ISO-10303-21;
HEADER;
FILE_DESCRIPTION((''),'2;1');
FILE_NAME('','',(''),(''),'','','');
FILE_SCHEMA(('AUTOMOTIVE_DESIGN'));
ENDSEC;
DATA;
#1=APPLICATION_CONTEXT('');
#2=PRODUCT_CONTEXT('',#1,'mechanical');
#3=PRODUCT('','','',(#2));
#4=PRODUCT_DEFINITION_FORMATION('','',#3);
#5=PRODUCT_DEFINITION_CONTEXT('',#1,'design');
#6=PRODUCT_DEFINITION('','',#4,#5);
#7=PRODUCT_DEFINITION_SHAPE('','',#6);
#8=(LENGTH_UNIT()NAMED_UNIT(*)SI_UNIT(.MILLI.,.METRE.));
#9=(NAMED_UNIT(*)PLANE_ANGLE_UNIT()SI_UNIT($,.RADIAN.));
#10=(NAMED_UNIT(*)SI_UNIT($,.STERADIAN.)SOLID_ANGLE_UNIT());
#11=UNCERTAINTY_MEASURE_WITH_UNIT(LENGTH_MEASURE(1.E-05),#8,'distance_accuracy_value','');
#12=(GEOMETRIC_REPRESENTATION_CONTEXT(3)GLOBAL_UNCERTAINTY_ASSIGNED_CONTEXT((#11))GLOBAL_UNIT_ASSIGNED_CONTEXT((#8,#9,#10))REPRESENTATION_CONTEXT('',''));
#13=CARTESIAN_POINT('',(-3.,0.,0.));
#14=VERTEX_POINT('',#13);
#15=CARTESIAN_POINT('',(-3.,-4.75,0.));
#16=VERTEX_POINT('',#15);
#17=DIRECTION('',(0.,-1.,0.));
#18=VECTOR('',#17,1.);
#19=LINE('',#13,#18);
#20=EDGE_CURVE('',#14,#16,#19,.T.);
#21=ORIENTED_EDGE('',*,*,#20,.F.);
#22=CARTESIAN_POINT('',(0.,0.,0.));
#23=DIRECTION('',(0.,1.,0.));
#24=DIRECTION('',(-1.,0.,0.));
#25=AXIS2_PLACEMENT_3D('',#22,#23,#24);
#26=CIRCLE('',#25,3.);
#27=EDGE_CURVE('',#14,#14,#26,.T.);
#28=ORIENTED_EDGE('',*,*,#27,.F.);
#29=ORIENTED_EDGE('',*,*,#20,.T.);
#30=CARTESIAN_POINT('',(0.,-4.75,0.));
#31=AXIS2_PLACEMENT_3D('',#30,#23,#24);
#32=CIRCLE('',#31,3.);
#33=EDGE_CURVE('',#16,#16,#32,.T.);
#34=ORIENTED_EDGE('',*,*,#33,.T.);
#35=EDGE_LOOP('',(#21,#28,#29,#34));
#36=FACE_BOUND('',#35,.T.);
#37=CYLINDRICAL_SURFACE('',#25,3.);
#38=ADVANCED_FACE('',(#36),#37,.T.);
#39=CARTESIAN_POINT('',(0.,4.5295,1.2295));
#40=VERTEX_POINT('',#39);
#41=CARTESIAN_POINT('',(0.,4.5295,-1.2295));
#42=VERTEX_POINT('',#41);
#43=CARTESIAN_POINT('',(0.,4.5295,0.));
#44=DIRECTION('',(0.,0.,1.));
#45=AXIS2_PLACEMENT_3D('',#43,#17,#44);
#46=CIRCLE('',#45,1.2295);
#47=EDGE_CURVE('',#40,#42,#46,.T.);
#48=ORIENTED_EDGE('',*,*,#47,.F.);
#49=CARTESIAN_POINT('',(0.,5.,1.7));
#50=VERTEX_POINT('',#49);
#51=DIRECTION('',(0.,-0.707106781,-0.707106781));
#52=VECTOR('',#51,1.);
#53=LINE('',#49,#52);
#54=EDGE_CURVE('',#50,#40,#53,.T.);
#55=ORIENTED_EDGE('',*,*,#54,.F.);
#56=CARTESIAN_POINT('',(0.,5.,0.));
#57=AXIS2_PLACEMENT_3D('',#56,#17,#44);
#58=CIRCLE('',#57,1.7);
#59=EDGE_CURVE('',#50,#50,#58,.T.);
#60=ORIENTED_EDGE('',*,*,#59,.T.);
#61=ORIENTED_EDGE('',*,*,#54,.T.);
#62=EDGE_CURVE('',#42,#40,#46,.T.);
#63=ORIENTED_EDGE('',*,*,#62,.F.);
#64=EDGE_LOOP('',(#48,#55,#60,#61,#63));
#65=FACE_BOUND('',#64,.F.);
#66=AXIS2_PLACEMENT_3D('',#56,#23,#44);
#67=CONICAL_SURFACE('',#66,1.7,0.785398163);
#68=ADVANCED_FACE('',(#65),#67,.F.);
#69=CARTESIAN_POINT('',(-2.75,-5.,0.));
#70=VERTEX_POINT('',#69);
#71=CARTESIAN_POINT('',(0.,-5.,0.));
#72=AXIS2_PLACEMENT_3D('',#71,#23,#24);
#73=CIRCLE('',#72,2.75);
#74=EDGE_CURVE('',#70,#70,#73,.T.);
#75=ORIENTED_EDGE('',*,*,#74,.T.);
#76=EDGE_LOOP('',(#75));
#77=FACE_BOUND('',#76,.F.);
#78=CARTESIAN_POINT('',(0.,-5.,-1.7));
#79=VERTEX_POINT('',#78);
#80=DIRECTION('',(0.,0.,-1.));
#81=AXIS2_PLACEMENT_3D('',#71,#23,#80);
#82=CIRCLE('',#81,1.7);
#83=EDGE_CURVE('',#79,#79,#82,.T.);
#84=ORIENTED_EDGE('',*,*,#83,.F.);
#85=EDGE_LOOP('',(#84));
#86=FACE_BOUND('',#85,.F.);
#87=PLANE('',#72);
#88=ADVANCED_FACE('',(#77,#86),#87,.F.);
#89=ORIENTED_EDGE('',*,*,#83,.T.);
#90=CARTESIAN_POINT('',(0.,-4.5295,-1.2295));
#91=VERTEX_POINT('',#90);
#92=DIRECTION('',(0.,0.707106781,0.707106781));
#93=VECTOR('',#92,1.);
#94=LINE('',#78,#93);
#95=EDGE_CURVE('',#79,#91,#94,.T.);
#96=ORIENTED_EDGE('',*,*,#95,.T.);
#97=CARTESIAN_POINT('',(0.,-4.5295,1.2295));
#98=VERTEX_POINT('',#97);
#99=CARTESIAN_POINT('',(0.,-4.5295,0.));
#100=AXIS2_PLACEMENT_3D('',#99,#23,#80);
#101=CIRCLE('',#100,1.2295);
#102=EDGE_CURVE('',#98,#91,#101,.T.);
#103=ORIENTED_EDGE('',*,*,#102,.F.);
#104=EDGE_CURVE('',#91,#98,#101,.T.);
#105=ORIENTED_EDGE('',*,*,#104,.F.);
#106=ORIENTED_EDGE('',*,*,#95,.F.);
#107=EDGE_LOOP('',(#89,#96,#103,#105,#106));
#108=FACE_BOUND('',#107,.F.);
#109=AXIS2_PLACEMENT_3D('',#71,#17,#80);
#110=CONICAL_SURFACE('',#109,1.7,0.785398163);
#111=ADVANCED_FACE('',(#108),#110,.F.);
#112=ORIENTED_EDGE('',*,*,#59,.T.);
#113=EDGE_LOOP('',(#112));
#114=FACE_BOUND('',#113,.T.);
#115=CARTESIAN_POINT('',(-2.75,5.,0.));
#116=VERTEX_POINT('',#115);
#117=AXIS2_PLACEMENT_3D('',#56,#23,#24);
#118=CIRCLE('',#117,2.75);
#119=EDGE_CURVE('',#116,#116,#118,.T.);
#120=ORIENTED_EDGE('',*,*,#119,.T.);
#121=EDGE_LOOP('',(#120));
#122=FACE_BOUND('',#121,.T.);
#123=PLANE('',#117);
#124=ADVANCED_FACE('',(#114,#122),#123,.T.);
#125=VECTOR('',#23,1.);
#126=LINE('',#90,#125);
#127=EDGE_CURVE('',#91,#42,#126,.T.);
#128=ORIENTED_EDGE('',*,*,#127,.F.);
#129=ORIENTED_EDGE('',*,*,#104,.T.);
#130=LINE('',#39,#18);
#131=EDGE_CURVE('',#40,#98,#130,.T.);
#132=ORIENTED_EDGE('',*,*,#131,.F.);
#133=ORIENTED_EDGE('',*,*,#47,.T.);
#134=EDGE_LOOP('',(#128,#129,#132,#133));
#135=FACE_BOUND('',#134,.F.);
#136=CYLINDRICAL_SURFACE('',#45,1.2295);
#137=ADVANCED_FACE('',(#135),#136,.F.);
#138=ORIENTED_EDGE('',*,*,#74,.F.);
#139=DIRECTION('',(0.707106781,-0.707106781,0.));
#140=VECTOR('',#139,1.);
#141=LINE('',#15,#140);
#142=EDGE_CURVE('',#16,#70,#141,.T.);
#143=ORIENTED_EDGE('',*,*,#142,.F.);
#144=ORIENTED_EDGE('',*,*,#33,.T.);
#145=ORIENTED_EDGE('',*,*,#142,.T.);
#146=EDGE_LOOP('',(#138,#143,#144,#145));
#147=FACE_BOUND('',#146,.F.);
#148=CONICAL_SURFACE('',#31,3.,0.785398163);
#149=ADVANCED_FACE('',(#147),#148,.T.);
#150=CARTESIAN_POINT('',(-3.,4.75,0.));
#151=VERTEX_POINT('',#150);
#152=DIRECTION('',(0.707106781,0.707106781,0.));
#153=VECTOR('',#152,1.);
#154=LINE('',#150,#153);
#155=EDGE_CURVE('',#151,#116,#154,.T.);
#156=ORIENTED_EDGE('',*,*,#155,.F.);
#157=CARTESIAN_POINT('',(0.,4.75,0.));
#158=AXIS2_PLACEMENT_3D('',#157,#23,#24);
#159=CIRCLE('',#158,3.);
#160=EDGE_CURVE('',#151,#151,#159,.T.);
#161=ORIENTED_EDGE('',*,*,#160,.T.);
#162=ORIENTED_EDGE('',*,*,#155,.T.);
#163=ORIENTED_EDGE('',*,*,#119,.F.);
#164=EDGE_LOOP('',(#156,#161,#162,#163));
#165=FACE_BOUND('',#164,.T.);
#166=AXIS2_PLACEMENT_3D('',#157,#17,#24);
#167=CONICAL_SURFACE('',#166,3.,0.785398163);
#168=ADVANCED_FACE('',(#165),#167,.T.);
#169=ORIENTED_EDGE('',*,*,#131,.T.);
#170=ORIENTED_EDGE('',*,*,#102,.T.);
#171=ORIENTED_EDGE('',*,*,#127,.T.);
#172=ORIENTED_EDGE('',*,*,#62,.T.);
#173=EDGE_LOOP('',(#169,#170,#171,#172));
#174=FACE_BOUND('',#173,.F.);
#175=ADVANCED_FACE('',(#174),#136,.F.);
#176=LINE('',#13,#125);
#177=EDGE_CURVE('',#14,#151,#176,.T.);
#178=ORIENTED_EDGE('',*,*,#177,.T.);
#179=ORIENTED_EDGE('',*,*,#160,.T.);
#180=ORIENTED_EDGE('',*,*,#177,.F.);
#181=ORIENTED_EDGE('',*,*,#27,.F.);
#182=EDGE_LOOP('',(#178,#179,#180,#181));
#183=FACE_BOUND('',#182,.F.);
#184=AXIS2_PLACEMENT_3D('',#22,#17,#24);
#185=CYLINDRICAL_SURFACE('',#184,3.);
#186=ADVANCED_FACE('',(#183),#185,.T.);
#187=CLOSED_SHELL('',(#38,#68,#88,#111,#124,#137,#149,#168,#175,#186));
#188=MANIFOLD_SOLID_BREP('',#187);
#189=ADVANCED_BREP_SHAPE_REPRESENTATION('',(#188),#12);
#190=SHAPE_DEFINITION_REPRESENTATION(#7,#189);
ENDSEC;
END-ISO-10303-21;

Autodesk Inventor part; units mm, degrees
ref_plane "YZ Plane" through (0, 0, 0) normal (1, 0, 0) x (0, 1, 0)
ref_plane "XZ Plane" through (0, 0, 0) normal (0, 1, 0) x (-1, 0, 0)
ref_plane "XY Plane" through (0, 0, 0) normal (0, 0, 1) x (1, 0, 0)
sketch "スケッチ1" plane through (0, 0, 0) normal (0, 1, 0) x (-1, 0, 0)
  circle A0 centre (0, 0) radius 3
  dimension "d0" = 6
extrude "押し出し1" add sketch "スケッチ1" along normal mid plane 10
sketch "スケッチ2" plane through (0, 5, 0) normal (0, 1, 0) x (1, 0, 0)
  point P0 (0, 0)
  point P1 (0, 0)
hole "穴1" at (0, 5, 0) direction (0, -1, 0) diameter 2.459 depth 10 countersink diameter 3.4 countersink angle 90 thread size "M3x0.5" class "6H" standard "ISO Metric profile"
sketch "スケッチ3" plane through (0, -5, 0) normal (0, -1, 0) x (1, 0, 0)
  point P0 (0, 0)
  point P1 (0, 0)
hole "穴2" at (0, -5, 0) direction (0, 1, 0) diameter 2.459 depth 10 countersink diameter 3.4 countersink angle 90 thread size "M3x0.5" class "6H" standard "ISO Metric profile"
chamfer "面取り1" distance 0.25 angle 45 2 edges at (3, -5, 0) (3, 5, 0)
properties part number "Spacer_M3D6L60" material "アルミニウム 6061"
